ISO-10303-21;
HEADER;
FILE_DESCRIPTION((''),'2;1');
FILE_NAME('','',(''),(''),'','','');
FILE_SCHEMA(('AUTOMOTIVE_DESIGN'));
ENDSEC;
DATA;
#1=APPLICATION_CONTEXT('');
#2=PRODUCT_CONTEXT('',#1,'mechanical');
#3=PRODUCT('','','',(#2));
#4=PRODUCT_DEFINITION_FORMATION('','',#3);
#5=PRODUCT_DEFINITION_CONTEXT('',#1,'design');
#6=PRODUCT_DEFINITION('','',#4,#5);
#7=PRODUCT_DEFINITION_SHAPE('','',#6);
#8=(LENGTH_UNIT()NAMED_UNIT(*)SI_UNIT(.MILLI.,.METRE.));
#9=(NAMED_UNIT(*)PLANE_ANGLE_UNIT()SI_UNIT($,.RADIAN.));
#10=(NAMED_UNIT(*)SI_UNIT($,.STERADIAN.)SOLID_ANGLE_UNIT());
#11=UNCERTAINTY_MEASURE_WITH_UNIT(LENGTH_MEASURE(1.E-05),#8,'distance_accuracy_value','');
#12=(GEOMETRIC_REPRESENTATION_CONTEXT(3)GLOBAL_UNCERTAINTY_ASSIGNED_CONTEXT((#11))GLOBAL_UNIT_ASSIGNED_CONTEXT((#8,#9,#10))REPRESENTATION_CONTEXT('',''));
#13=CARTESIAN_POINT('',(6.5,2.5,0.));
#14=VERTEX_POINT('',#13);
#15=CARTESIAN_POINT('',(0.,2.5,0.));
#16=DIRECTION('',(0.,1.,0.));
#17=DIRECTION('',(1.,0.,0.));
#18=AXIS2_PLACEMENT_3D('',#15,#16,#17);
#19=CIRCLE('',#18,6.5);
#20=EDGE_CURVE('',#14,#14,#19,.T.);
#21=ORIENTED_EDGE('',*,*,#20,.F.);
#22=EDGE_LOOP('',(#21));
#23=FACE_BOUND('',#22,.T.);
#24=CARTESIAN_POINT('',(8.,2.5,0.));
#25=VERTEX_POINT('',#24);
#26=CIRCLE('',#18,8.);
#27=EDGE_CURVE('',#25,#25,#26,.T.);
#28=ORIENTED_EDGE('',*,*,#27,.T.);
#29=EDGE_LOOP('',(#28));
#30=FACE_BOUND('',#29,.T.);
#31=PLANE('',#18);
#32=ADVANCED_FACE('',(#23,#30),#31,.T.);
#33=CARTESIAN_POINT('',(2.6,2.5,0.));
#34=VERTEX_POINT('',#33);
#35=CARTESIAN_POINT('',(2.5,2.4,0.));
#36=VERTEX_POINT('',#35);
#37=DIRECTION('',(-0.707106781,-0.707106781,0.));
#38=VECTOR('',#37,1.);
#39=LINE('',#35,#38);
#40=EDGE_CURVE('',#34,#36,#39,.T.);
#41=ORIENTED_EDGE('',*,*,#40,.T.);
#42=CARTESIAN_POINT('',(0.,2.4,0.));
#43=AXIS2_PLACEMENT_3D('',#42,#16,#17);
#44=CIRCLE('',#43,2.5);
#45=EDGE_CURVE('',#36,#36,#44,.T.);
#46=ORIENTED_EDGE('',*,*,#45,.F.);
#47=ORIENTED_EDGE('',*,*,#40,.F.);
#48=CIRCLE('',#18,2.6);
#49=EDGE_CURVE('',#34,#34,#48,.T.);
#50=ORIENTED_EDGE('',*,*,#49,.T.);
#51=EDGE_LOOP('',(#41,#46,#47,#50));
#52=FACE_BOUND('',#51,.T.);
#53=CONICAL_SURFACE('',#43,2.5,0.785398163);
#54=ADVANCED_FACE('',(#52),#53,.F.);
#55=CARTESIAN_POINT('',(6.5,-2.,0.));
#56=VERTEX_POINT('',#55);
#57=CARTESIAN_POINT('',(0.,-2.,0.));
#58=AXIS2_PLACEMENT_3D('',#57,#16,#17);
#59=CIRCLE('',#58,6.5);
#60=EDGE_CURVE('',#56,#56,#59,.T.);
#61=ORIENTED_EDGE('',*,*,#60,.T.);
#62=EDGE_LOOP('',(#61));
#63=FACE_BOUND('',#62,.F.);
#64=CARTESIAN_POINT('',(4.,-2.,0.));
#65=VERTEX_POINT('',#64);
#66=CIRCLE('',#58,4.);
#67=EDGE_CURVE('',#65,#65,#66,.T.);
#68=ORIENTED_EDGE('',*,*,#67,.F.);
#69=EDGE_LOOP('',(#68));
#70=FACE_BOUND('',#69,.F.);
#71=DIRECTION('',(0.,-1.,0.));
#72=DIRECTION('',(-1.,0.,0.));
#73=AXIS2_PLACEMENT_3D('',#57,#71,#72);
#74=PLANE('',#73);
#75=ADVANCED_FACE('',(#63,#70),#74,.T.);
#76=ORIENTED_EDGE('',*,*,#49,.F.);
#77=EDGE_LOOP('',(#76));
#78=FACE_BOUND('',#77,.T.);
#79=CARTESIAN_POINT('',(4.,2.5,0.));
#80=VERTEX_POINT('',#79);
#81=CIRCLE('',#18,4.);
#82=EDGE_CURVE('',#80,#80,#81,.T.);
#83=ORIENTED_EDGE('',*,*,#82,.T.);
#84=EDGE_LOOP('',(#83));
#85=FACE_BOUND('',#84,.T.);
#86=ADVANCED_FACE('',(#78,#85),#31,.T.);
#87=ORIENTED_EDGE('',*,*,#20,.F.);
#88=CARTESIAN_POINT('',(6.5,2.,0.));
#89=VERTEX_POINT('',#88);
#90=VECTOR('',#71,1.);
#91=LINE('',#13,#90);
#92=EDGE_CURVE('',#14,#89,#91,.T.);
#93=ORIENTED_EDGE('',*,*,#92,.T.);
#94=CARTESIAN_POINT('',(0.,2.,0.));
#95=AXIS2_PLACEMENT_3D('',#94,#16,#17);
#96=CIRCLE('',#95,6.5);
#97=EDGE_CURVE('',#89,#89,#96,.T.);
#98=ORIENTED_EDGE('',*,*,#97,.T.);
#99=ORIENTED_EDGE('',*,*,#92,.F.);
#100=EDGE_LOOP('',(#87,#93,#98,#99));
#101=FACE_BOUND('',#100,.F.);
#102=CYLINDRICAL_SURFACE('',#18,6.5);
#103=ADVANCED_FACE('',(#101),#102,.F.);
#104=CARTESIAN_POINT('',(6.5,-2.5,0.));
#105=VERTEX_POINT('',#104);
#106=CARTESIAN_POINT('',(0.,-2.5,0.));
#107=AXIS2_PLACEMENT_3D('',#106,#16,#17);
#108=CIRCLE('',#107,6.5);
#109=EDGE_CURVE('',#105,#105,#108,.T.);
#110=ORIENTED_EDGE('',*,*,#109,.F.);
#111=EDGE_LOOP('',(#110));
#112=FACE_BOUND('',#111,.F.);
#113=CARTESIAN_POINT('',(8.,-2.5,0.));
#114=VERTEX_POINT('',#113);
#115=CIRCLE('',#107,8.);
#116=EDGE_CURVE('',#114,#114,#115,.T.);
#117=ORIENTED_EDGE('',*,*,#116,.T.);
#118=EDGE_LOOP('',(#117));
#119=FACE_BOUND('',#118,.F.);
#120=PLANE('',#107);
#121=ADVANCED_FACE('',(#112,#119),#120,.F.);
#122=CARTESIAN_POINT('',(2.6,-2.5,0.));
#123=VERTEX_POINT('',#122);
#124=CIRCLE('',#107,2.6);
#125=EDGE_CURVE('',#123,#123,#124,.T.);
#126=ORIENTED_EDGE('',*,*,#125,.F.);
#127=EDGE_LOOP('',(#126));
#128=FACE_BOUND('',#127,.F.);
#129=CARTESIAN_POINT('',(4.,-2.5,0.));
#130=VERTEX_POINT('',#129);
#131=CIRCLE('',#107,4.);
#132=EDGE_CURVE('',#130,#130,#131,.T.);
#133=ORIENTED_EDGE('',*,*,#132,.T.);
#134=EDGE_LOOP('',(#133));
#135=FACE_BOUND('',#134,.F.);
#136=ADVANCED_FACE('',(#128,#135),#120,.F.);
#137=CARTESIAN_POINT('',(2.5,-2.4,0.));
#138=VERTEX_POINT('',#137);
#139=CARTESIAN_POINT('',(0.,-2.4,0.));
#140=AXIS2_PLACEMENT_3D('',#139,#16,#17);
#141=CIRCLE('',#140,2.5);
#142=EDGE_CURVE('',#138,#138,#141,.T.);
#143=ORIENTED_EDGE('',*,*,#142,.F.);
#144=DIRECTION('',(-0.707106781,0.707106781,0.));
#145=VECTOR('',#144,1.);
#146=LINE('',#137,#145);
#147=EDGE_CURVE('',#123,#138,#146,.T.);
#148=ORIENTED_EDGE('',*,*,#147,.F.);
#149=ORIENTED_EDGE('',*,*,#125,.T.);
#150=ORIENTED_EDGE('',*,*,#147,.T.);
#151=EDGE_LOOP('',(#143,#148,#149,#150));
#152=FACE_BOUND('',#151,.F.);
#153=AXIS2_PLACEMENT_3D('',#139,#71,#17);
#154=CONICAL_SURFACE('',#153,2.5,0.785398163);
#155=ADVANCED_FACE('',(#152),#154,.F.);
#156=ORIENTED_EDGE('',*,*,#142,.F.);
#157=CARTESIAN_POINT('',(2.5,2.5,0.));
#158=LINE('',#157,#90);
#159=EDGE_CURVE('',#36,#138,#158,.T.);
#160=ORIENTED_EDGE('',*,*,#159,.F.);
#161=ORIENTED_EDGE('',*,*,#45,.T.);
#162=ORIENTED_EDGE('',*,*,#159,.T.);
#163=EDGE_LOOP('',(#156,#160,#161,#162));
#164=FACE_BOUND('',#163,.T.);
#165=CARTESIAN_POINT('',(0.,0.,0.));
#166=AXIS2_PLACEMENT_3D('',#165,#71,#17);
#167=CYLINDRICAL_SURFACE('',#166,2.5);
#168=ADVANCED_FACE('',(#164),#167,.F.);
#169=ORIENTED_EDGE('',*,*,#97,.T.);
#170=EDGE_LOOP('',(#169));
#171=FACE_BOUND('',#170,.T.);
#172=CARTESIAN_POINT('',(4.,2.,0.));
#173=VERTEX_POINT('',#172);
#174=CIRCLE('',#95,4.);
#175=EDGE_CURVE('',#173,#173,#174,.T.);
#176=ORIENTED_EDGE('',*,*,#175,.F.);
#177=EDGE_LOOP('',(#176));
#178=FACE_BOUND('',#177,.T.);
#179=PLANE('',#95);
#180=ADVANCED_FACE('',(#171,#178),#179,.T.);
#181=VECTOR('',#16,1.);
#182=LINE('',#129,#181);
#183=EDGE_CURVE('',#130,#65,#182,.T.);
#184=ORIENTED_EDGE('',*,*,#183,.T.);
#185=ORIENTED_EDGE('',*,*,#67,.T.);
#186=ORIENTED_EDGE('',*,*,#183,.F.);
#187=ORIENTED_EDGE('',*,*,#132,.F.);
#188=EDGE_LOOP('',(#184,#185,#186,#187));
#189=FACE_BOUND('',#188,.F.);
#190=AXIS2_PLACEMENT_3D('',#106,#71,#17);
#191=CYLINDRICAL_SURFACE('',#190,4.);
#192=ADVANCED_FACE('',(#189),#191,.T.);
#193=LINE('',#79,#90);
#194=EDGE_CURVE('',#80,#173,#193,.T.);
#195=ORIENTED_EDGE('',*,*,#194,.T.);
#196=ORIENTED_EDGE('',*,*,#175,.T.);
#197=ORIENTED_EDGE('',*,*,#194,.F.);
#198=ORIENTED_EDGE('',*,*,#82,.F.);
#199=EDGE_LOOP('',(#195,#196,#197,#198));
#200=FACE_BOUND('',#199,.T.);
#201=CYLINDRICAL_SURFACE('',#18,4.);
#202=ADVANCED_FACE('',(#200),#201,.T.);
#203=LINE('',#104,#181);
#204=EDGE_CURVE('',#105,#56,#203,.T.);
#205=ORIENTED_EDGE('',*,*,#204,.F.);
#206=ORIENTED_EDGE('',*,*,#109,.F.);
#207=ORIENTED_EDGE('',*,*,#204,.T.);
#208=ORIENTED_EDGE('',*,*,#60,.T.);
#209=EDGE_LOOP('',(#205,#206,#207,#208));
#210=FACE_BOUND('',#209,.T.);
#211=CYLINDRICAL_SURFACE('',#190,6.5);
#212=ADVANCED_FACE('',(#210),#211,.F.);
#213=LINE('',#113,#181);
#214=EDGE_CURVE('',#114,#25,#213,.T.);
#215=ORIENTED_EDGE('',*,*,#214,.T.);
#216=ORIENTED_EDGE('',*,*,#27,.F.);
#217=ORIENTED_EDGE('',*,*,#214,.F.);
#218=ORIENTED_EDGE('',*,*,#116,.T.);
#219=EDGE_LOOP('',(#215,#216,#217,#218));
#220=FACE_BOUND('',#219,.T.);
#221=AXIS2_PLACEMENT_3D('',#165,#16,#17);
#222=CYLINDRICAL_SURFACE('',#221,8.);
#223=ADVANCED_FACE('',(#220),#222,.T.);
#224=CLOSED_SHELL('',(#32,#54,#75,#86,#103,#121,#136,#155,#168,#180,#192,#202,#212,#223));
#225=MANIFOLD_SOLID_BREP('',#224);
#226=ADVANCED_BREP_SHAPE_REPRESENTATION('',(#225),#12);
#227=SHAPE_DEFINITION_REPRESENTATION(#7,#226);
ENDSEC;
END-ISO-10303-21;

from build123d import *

# Parameters (mm, degrees)
SKETCH1_R           = 8
SKETCH1_R_2         = 2.5
BOSS_EXTRUDE1_DEPTH = 2.5
SKETCH2_R           = 6.5
SKETCH2_R_2         = 4
CUT_EXTRUDE1_DEPTH  = 0.5
CHAMFER1_SIZE       = 0.1


with BuildPart() as part:
    # Sketch1 → Boss-Extrude1 (new body, symmetric)
    with BuildSketch(Plane(origin=(0, 0, 0), x_dir=(1, 0, 0), z_dir=(0, 1, 0))):
        Circle(SKETCH1_R)
        Circle(SKETCH1_R_2, mode=Mode.SUBTRACT)
    extrude(amount=BOSS_EXTRUDE1_DEPTH, both=True)

    # Sketch2 → Cut-Extrude1 (cut)
    with BuildSketch(Plane(origin=(0, 2.5, 0), x_dir=(1, 0, 0), z_dir=(0, 1, 0))):
        Circle(SKETCH2_R)
        Circle(SKETCH2_R_2, mode=Mode.SUBTRACT)
    cut_extrude1 = extrude(amount=-CUT_EXTRUDE1_DEPTH, mode=Mode.SUBTRACT)

    # Mirror1: Cut-Extrude1 across plane
    add(cut_extrude1.mirror(Plane.ZX), mode=Mode.SUBTRACT)

    # Chamfer1
    chamfer1_edges = [part.edges().sort_by_distance(p)[0] for p in [
        (-2.5, -2.5, 0),
        (-2.5, 2.5, 0),
    ]]
    chamfer(chamfer1_edges, length=CHAMFER1_SIZE)


solid = part.part
